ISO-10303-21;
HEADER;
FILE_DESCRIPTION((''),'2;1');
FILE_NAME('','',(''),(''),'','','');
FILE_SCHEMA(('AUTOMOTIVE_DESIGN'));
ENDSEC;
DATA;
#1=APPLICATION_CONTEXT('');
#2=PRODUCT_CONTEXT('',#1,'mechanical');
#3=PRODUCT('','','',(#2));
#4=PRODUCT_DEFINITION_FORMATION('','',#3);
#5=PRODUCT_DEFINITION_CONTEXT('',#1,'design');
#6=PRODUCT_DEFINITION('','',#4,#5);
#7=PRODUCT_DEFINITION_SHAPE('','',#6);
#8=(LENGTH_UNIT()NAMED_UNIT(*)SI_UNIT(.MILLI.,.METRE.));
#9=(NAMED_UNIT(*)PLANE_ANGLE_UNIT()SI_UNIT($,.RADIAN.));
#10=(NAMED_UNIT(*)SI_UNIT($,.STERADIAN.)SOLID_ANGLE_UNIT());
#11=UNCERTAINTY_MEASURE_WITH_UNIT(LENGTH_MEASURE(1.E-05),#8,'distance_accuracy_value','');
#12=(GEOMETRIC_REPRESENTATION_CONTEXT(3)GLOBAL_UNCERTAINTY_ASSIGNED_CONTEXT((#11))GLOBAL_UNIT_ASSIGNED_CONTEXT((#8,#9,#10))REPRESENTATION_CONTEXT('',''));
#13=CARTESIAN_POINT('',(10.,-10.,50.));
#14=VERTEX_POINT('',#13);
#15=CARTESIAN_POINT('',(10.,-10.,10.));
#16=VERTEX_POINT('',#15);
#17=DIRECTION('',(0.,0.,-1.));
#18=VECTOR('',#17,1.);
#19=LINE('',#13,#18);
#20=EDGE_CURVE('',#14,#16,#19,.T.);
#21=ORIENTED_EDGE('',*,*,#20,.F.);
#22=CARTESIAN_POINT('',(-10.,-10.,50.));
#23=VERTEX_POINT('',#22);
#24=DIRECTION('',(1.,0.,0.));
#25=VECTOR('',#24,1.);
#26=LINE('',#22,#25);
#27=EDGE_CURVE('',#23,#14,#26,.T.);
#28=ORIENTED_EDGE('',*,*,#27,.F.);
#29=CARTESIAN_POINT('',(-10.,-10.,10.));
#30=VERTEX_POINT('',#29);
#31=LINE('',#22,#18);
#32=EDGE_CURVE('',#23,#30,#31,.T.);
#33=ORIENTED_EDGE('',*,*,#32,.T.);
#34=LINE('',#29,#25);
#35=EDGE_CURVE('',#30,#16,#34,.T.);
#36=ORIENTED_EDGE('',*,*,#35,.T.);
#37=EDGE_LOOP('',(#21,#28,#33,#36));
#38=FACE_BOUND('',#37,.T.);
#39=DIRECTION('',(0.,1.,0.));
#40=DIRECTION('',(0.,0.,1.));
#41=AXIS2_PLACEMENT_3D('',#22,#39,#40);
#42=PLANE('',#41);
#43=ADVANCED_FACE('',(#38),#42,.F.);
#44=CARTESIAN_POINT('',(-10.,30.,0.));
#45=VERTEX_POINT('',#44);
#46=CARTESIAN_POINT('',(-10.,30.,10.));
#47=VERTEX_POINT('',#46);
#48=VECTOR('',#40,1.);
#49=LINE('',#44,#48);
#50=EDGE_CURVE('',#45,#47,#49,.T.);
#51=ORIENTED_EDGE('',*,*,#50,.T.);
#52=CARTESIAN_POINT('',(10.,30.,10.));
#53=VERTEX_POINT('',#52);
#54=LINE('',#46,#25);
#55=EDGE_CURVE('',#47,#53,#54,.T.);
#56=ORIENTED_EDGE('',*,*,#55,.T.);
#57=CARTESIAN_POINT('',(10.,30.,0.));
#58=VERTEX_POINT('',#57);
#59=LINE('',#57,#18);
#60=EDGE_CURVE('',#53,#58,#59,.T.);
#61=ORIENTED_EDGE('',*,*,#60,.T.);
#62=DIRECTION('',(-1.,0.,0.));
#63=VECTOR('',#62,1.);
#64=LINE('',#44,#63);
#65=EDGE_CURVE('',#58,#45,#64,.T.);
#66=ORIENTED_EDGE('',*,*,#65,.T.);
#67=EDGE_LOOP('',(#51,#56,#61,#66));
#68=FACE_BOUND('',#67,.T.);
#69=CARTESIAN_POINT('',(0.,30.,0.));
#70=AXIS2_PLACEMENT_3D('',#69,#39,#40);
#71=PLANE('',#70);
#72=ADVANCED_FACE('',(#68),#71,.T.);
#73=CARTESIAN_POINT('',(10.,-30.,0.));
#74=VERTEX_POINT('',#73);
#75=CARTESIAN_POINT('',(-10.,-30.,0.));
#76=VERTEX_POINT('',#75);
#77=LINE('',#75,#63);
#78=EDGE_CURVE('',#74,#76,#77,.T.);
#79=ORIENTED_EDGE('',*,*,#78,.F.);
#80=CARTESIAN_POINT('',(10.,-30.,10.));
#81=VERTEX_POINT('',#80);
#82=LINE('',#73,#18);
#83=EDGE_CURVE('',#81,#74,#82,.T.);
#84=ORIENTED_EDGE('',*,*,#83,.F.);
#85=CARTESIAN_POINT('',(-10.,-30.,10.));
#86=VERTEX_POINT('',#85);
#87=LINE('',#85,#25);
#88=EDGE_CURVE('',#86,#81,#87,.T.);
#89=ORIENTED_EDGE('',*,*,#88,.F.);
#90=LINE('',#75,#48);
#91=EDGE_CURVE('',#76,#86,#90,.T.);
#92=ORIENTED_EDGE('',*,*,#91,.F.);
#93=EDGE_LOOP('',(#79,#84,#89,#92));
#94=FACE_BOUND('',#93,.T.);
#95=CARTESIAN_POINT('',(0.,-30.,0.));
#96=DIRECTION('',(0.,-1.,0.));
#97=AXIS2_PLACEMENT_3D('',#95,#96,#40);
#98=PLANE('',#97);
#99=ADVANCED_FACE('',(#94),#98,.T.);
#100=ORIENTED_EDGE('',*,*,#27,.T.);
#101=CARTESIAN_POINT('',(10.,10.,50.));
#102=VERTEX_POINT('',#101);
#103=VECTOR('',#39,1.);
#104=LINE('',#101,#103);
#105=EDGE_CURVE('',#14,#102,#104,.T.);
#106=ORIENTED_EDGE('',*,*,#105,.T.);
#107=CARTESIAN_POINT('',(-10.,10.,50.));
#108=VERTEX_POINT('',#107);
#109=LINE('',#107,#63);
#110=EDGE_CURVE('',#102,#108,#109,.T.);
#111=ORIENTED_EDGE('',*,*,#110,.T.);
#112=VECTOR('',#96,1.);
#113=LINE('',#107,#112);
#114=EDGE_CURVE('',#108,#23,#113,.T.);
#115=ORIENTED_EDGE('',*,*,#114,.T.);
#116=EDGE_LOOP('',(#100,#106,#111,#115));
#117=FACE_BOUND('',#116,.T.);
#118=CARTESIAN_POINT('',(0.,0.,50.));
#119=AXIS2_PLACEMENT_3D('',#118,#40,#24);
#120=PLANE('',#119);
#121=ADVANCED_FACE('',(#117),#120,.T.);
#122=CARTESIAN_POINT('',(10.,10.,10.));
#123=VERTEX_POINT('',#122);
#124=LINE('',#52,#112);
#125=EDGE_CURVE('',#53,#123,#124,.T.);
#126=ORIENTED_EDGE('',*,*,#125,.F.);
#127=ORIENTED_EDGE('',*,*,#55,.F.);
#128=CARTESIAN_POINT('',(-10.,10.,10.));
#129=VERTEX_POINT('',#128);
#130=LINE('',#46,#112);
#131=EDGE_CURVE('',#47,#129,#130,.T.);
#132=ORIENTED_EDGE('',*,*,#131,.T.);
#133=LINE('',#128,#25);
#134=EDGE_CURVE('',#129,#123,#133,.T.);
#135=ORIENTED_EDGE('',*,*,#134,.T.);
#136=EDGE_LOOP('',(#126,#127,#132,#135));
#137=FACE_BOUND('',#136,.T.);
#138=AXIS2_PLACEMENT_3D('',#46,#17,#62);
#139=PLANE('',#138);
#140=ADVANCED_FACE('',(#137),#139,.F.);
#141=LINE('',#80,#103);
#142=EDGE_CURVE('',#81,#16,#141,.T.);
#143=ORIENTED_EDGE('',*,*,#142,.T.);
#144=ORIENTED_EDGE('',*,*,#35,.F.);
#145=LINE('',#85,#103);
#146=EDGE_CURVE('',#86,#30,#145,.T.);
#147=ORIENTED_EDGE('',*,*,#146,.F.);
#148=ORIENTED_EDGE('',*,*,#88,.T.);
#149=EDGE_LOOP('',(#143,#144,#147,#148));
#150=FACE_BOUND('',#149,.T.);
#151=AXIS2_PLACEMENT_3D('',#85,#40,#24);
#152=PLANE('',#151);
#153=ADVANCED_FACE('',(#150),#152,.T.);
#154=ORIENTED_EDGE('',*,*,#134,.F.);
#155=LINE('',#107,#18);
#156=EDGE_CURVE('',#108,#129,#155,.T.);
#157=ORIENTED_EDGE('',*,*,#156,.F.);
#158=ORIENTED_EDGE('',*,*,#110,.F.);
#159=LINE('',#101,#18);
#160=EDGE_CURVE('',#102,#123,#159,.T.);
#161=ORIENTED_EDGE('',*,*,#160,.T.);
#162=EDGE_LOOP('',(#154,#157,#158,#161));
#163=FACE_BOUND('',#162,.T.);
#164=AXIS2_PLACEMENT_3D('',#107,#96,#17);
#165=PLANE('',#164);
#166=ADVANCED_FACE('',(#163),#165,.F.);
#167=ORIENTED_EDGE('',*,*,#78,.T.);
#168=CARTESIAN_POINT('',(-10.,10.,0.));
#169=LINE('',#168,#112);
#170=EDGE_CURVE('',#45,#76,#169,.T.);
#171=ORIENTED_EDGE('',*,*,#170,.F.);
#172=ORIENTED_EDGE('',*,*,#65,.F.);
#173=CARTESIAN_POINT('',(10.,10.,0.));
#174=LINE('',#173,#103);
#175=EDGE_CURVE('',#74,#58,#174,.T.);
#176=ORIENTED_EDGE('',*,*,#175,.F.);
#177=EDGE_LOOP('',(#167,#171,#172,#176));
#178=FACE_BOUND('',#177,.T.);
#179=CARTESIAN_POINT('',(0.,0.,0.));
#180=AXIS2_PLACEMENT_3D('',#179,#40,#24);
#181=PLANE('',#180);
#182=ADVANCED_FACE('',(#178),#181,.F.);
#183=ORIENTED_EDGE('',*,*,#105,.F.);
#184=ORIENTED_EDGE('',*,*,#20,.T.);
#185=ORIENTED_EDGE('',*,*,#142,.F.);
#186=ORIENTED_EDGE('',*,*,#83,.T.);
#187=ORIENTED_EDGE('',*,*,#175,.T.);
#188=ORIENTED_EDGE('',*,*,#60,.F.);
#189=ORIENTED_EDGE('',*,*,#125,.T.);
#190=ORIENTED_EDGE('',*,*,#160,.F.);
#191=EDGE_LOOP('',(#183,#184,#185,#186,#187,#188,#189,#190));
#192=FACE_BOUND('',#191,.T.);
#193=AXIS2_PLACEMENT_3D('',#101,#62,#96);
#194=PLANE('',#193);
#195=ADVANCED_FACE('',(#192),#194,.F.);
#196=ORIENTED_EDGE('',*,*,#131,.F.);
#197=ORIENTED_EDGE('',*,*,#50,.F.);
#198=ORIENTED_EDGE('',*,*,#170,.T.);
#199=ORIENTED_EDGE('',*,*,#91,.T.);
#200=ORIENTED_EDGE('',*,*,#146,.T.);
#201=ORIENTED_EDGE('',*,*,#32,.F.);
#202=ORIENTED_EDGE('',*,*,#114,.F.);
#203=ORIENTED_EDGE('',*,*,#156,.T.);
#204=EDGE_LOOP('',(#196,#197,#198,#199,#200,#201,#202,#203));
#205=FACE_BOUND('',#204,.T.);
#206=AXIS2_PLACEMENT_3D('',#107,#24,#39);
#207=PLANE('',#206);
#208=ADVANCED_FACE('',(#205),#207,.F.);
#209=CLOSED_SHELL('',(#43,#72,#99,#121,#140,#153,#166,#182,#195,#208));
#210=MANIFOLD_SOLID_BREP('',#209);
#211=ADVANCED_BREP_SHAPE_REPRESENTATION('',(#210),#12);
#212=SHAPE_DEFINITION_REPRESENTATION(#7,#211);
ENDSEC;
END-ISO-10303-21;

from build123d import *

# Parameters (mm, degrees)
SKETCH1_W           = 20
SKETCH1_H           = 20
BOSS_EXTRUDE1_DEPTH = 50
SKETCH3_W           = 20
SKETCH3_H           = 10
BOSS_EXTRUDE3_DEPTH = 20


with BuildPart() as part:
    # Sketch1 → Boss-Extrude1 (new body)
    with BuildSketch(Plane.XY):
        Rectangle(SKETCH1_W, SKETCH1_H)
    extrude(amount=BOSS_EXTRUDE1_DEPTH)

    # Sketch3 → Boss-Extrude3 (add)
    with BuildSketch(Plane(origin=(0, 10, 0), x_dir=(1, 0, 0), z_dir=(0, 1, 0))):
        with Locations((0, -5)):
            Rectangle(SKETCH3_W, SKETCH3_H)
    boss_extrude3 = extrude(amount=BOSS_EXTRUDE3_DEPTH)

    # Mirror2: Boss-Extrude3 across plane
    add(boss_extrude3.mirror(Plane.ZX))


solid = part.part
